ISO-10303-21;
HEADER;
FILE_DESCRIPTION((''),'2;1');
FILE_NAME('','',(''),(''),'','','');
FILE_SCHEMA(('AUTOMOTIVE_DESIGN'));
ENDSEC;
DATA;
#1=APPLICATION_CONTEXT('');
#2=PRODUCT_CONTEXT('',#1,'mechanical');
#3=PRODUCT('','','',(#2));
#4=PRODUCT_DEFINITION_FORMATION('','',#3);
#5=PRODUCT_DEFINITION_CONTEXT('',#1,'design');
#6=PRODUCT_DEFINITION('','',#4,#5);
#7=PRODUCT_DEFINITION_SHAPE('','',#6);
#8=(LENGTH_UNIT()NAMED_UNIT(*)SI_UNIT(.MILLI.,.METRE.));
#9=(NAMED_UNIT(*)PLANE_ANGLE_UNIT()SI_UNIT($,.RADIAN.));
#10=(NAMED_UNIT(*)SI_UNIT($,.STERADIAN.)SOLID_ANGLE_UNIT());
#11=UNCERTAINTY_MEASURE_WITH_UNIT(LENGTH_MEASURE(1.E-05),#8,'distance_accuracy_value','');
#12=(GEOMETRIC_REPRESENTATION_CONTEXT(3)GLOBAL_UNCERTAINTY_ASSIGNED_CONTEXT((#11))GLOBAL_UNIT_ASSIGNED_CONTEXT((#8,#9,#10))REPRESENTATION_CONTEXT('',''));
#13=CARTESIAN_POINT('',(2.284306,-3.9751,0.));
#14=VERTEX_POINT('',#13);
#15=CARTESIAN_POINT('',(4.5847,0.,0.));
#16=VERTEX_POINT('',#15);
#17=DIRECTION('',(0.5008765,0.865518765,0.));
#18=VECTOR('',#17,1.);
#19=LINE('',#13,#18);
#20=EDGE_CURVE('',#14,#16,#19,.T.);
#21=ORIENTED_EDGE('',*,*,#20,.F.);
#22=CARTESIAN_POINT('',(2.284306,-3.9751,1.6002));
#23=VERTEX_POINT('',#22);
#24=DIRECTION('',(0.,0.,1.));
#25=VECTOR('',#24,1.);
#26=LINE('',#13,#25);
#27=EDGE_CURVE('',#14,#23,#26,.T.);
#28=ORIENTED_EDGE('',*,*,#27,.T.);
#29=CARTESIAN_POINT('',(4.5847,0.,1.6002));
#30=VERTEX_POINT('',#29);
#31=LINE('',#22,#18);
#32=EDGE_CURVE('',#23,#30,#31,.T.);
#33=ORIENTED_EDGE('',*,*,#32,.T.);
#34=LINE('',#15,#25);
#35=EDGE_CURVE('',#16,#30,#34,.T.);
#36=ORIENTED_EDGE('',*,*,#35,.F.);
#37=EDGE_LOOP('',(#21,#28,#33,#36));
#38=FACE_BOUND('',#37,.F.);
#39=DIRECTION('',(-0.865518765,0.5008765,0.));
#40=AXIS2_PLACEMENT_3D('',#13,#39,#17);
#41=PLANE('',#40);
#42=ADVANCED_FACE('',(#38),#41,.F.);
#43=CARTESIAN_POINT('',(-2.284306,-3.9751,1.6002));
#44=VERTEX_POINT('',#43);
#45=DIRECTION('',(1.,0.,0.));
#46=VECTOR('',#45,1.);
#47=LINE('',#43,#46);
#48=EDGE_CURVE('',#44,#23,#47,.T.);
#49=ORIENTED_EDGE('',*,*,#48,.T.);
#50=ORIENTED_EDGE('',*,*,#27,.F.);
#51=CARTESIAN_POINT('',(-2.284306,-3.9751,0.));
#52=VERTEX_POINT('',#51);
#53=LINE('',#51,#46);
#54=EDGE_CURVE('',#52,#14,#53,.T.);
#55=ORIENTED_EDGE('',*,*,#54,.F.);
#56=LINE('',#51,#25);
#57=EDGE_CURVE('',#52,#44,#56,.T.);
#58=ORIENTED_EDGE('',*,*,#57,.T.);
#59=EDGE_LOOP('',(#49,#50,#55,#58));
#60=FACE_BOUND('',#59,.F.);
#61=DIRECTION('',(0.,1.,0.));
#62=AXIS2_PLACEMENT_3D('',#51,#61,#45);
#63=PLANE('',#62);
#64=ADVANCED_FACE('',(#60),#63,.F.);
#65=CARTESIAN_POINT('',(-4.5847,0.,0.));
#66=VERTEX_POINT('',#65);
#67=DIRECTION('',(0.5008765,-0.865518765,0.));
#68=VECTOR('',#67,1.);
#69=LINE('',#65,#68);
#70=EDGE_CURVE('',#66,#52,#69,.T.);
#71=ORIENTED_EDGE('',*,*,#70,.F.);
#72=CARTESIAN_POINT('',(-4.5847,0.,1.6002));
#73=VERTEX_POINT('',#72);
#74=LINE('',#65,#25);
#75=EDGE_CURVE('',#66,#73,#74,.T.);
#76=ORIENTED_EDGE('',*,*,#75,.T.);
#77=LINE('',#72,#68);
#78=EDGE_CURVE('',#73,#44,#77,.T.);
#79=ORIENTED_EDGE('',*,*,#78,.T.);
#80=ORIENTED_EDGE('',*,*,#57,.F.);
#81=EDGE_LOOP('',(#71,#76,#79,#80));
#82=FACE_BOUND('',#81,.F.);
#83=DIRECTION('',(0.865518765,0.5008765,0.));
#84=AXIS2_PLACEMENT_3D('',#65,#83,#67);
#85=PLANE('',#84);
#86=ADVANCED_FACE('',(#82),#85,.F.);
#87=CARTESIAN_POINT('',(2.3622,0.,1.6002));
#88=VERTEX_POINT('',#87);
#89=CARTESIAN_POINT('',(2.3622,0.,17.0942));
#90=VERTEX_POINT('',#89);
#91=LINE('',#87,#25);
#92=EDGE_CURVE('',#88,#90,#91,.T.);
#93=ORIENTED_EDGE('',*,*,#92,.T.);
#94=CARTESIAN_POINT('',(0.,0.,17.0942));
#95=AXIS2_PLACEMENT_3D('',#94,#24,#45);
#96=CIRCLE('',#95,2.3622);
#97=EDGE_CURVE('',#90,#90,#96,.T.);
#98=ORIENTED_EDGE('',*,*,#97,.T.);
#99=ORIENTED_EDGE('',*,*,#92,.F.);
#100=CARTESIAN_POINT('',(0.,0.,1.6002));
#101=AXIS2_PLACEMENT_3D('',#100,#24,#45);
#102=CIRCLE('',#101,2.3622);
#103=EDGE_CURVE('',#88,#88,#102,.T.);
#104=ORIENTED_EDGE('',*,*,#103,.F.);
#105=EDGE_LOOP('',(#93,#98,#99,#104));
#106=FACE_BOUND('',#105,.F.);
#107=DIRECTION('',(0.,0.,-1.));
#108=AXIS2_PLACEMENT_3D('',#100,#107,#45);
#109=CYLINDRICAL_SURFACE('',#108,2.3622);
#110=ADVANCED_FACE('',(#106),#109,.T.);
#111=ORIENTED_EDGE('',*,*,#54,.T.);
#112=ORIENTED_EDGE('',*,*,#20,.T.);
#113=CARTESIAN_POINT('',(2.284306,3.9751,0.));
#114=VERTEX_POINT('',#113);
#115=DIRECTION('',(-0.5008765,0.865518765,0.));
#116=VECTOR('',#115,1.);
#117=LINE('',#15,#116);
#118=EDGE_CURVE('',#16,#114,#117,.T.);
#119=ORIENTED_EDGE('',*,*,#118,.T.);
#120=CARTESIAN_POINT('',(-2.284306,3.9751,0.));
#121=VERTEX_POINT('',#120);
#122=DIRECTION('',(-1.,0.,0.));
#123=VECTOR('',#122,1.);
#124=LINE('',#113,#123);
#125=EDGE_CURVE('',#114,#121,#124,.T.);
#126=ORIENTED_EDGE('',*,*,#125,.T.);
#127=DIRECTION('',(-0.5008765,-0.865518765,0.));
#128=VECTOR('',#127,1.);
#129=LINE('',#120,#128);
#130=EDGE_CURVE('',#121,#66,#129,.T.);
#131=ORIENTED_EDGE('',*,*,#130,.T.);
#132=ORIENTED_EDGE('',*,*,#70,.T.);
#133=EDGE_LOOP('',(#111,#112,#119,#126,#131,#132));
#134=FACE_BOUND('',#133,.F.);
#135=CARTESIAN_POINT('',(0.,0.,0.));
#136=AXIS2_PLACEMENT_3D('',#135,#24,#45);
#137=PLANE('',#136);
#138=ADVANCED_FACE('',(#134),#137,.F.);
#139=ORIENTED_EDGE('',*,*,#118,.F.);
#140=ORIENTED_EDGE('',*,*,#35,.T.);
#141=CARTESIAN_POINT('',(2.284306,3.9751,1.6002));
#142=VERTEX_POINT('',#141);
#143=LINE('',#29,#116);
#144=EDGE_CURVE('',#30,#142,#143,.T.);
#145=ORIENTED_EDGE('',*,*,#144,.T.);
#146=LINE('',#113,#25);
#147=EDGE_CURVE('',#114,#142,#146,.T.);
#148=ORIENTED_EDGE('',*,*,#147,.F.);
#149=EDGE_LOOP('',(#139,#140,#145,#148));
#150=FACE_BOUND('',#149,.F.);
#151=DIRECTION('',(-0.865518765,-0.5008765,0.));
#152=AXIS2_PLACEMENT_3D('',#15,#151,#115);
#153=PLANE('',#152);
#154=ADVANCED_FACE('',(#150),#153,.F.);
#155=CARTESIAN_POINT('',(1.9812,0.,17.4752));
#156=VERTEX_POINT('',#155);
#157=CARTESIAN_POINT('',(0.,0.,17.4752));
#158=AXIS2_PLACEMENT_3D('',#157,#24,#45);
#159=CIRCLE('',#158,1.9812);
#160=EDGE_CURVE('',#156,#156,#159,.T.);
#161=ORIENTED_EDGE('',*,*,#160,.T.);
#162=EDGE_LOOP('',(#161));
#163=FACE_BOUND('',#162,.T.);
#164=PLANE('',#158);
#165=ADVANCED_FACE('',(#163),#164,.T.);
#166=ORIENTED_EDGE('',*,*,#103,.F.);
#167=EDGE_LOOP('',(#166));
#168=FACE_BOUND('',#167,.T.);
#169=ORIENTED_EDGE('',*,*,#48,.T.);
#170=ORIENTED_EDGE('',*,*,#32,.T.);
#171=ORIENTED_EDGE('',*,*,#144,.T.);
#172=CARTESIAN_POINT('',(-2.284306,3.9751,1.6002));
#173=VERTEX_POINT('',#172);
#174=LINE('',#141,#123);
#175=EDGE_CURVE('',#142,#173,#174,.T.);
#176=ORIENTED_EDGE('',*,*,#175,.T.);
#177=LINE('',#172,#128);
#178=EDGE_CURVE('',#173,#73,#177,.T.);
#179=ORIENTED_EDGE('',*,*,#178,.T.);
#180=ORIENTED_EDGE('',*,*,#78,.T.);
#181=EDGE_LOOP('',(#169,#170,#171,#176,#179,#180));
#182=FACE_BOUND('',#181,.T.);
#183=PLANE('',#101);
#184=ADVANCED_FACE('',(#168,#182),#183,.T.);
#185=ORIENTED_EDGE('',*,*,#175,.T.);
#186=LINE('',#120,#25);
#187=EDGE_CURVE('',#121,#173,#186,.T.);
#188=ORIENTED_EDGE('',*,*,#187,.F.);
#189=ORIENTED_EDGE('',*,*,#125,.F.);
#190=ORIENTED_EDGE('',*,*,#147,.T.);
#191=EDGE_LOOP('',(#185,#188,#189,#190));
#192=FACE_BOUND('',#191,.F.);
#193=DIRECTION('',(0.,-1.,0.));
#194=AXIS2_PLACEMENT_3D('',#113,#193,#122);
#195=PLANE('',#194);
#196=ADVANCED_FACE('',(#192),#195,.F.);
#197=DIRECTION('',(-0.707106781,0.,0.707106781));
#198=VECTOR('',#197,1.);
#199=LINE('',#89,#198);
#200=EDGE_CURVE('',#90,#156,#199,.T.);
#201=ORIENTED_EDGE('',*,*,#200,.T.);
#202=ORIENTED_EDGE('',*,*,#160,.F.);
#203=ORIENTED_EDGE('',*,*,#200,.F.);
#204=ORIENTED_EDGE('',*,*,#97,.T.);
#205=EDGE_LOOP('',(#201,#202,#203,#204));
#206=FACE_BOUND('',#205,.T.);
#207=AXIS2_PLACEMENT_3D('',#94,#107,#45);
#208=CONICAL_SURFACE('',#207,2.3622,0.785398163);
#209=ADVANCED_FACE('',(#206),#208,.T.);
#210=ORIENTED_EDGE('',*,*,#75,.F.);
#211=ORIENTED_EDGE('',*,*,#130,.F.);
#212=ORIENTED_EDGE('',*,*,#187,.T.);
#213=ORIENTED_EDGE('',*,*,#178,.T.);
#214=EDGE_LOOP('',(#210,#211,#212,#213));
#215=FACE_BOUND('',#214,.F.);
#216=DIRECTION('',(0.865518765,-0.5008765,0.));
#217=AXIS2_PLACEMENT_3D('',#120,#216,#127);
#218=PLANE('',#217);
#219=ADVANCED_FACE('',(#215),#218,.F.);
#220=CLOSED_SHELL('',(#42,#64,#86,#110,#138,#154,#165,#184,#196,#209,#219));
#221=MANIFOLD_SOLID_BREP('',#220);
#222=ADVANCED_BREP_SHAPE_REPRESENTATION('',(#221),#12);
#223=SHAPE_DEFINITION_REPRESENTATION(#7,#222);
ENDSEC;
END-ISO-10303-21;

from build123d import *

# Parameters (mm, degrees)
F1_DEPTH = 1.6002
F2_R     = 2.3622
F3_DEPTH = 15.875
F4_SIZE  = 0.381


with BuildPart() as f1:
    # F0 (on Top) → F1 (new body)
    with BuildSketch(Plane.XY):
        Polygon((2.284306, 3.9751), (-2.284306, 3.9751), (-4.5847, 0), (-2.284306, -3.9751), (2.284306, -3.9751), (4.5847, 0), align=None)
    extrude(amount=F1_DEPTH)

    # F2 (on face) → F3 (join)
    with BuildSketch(Plane.XY.offset(1.6002)):
        Circle(F2_R)
    extrude(amount=F3_DEPTH)

    # F4
    f4_edges = [f1.edges().sort_by_distance(p)[0] for p in [
        (-2.3622, 0, 17.4752),
    ]]
    chamfer(f4_edges, length=F4_SIZE)


solid = f1.part
